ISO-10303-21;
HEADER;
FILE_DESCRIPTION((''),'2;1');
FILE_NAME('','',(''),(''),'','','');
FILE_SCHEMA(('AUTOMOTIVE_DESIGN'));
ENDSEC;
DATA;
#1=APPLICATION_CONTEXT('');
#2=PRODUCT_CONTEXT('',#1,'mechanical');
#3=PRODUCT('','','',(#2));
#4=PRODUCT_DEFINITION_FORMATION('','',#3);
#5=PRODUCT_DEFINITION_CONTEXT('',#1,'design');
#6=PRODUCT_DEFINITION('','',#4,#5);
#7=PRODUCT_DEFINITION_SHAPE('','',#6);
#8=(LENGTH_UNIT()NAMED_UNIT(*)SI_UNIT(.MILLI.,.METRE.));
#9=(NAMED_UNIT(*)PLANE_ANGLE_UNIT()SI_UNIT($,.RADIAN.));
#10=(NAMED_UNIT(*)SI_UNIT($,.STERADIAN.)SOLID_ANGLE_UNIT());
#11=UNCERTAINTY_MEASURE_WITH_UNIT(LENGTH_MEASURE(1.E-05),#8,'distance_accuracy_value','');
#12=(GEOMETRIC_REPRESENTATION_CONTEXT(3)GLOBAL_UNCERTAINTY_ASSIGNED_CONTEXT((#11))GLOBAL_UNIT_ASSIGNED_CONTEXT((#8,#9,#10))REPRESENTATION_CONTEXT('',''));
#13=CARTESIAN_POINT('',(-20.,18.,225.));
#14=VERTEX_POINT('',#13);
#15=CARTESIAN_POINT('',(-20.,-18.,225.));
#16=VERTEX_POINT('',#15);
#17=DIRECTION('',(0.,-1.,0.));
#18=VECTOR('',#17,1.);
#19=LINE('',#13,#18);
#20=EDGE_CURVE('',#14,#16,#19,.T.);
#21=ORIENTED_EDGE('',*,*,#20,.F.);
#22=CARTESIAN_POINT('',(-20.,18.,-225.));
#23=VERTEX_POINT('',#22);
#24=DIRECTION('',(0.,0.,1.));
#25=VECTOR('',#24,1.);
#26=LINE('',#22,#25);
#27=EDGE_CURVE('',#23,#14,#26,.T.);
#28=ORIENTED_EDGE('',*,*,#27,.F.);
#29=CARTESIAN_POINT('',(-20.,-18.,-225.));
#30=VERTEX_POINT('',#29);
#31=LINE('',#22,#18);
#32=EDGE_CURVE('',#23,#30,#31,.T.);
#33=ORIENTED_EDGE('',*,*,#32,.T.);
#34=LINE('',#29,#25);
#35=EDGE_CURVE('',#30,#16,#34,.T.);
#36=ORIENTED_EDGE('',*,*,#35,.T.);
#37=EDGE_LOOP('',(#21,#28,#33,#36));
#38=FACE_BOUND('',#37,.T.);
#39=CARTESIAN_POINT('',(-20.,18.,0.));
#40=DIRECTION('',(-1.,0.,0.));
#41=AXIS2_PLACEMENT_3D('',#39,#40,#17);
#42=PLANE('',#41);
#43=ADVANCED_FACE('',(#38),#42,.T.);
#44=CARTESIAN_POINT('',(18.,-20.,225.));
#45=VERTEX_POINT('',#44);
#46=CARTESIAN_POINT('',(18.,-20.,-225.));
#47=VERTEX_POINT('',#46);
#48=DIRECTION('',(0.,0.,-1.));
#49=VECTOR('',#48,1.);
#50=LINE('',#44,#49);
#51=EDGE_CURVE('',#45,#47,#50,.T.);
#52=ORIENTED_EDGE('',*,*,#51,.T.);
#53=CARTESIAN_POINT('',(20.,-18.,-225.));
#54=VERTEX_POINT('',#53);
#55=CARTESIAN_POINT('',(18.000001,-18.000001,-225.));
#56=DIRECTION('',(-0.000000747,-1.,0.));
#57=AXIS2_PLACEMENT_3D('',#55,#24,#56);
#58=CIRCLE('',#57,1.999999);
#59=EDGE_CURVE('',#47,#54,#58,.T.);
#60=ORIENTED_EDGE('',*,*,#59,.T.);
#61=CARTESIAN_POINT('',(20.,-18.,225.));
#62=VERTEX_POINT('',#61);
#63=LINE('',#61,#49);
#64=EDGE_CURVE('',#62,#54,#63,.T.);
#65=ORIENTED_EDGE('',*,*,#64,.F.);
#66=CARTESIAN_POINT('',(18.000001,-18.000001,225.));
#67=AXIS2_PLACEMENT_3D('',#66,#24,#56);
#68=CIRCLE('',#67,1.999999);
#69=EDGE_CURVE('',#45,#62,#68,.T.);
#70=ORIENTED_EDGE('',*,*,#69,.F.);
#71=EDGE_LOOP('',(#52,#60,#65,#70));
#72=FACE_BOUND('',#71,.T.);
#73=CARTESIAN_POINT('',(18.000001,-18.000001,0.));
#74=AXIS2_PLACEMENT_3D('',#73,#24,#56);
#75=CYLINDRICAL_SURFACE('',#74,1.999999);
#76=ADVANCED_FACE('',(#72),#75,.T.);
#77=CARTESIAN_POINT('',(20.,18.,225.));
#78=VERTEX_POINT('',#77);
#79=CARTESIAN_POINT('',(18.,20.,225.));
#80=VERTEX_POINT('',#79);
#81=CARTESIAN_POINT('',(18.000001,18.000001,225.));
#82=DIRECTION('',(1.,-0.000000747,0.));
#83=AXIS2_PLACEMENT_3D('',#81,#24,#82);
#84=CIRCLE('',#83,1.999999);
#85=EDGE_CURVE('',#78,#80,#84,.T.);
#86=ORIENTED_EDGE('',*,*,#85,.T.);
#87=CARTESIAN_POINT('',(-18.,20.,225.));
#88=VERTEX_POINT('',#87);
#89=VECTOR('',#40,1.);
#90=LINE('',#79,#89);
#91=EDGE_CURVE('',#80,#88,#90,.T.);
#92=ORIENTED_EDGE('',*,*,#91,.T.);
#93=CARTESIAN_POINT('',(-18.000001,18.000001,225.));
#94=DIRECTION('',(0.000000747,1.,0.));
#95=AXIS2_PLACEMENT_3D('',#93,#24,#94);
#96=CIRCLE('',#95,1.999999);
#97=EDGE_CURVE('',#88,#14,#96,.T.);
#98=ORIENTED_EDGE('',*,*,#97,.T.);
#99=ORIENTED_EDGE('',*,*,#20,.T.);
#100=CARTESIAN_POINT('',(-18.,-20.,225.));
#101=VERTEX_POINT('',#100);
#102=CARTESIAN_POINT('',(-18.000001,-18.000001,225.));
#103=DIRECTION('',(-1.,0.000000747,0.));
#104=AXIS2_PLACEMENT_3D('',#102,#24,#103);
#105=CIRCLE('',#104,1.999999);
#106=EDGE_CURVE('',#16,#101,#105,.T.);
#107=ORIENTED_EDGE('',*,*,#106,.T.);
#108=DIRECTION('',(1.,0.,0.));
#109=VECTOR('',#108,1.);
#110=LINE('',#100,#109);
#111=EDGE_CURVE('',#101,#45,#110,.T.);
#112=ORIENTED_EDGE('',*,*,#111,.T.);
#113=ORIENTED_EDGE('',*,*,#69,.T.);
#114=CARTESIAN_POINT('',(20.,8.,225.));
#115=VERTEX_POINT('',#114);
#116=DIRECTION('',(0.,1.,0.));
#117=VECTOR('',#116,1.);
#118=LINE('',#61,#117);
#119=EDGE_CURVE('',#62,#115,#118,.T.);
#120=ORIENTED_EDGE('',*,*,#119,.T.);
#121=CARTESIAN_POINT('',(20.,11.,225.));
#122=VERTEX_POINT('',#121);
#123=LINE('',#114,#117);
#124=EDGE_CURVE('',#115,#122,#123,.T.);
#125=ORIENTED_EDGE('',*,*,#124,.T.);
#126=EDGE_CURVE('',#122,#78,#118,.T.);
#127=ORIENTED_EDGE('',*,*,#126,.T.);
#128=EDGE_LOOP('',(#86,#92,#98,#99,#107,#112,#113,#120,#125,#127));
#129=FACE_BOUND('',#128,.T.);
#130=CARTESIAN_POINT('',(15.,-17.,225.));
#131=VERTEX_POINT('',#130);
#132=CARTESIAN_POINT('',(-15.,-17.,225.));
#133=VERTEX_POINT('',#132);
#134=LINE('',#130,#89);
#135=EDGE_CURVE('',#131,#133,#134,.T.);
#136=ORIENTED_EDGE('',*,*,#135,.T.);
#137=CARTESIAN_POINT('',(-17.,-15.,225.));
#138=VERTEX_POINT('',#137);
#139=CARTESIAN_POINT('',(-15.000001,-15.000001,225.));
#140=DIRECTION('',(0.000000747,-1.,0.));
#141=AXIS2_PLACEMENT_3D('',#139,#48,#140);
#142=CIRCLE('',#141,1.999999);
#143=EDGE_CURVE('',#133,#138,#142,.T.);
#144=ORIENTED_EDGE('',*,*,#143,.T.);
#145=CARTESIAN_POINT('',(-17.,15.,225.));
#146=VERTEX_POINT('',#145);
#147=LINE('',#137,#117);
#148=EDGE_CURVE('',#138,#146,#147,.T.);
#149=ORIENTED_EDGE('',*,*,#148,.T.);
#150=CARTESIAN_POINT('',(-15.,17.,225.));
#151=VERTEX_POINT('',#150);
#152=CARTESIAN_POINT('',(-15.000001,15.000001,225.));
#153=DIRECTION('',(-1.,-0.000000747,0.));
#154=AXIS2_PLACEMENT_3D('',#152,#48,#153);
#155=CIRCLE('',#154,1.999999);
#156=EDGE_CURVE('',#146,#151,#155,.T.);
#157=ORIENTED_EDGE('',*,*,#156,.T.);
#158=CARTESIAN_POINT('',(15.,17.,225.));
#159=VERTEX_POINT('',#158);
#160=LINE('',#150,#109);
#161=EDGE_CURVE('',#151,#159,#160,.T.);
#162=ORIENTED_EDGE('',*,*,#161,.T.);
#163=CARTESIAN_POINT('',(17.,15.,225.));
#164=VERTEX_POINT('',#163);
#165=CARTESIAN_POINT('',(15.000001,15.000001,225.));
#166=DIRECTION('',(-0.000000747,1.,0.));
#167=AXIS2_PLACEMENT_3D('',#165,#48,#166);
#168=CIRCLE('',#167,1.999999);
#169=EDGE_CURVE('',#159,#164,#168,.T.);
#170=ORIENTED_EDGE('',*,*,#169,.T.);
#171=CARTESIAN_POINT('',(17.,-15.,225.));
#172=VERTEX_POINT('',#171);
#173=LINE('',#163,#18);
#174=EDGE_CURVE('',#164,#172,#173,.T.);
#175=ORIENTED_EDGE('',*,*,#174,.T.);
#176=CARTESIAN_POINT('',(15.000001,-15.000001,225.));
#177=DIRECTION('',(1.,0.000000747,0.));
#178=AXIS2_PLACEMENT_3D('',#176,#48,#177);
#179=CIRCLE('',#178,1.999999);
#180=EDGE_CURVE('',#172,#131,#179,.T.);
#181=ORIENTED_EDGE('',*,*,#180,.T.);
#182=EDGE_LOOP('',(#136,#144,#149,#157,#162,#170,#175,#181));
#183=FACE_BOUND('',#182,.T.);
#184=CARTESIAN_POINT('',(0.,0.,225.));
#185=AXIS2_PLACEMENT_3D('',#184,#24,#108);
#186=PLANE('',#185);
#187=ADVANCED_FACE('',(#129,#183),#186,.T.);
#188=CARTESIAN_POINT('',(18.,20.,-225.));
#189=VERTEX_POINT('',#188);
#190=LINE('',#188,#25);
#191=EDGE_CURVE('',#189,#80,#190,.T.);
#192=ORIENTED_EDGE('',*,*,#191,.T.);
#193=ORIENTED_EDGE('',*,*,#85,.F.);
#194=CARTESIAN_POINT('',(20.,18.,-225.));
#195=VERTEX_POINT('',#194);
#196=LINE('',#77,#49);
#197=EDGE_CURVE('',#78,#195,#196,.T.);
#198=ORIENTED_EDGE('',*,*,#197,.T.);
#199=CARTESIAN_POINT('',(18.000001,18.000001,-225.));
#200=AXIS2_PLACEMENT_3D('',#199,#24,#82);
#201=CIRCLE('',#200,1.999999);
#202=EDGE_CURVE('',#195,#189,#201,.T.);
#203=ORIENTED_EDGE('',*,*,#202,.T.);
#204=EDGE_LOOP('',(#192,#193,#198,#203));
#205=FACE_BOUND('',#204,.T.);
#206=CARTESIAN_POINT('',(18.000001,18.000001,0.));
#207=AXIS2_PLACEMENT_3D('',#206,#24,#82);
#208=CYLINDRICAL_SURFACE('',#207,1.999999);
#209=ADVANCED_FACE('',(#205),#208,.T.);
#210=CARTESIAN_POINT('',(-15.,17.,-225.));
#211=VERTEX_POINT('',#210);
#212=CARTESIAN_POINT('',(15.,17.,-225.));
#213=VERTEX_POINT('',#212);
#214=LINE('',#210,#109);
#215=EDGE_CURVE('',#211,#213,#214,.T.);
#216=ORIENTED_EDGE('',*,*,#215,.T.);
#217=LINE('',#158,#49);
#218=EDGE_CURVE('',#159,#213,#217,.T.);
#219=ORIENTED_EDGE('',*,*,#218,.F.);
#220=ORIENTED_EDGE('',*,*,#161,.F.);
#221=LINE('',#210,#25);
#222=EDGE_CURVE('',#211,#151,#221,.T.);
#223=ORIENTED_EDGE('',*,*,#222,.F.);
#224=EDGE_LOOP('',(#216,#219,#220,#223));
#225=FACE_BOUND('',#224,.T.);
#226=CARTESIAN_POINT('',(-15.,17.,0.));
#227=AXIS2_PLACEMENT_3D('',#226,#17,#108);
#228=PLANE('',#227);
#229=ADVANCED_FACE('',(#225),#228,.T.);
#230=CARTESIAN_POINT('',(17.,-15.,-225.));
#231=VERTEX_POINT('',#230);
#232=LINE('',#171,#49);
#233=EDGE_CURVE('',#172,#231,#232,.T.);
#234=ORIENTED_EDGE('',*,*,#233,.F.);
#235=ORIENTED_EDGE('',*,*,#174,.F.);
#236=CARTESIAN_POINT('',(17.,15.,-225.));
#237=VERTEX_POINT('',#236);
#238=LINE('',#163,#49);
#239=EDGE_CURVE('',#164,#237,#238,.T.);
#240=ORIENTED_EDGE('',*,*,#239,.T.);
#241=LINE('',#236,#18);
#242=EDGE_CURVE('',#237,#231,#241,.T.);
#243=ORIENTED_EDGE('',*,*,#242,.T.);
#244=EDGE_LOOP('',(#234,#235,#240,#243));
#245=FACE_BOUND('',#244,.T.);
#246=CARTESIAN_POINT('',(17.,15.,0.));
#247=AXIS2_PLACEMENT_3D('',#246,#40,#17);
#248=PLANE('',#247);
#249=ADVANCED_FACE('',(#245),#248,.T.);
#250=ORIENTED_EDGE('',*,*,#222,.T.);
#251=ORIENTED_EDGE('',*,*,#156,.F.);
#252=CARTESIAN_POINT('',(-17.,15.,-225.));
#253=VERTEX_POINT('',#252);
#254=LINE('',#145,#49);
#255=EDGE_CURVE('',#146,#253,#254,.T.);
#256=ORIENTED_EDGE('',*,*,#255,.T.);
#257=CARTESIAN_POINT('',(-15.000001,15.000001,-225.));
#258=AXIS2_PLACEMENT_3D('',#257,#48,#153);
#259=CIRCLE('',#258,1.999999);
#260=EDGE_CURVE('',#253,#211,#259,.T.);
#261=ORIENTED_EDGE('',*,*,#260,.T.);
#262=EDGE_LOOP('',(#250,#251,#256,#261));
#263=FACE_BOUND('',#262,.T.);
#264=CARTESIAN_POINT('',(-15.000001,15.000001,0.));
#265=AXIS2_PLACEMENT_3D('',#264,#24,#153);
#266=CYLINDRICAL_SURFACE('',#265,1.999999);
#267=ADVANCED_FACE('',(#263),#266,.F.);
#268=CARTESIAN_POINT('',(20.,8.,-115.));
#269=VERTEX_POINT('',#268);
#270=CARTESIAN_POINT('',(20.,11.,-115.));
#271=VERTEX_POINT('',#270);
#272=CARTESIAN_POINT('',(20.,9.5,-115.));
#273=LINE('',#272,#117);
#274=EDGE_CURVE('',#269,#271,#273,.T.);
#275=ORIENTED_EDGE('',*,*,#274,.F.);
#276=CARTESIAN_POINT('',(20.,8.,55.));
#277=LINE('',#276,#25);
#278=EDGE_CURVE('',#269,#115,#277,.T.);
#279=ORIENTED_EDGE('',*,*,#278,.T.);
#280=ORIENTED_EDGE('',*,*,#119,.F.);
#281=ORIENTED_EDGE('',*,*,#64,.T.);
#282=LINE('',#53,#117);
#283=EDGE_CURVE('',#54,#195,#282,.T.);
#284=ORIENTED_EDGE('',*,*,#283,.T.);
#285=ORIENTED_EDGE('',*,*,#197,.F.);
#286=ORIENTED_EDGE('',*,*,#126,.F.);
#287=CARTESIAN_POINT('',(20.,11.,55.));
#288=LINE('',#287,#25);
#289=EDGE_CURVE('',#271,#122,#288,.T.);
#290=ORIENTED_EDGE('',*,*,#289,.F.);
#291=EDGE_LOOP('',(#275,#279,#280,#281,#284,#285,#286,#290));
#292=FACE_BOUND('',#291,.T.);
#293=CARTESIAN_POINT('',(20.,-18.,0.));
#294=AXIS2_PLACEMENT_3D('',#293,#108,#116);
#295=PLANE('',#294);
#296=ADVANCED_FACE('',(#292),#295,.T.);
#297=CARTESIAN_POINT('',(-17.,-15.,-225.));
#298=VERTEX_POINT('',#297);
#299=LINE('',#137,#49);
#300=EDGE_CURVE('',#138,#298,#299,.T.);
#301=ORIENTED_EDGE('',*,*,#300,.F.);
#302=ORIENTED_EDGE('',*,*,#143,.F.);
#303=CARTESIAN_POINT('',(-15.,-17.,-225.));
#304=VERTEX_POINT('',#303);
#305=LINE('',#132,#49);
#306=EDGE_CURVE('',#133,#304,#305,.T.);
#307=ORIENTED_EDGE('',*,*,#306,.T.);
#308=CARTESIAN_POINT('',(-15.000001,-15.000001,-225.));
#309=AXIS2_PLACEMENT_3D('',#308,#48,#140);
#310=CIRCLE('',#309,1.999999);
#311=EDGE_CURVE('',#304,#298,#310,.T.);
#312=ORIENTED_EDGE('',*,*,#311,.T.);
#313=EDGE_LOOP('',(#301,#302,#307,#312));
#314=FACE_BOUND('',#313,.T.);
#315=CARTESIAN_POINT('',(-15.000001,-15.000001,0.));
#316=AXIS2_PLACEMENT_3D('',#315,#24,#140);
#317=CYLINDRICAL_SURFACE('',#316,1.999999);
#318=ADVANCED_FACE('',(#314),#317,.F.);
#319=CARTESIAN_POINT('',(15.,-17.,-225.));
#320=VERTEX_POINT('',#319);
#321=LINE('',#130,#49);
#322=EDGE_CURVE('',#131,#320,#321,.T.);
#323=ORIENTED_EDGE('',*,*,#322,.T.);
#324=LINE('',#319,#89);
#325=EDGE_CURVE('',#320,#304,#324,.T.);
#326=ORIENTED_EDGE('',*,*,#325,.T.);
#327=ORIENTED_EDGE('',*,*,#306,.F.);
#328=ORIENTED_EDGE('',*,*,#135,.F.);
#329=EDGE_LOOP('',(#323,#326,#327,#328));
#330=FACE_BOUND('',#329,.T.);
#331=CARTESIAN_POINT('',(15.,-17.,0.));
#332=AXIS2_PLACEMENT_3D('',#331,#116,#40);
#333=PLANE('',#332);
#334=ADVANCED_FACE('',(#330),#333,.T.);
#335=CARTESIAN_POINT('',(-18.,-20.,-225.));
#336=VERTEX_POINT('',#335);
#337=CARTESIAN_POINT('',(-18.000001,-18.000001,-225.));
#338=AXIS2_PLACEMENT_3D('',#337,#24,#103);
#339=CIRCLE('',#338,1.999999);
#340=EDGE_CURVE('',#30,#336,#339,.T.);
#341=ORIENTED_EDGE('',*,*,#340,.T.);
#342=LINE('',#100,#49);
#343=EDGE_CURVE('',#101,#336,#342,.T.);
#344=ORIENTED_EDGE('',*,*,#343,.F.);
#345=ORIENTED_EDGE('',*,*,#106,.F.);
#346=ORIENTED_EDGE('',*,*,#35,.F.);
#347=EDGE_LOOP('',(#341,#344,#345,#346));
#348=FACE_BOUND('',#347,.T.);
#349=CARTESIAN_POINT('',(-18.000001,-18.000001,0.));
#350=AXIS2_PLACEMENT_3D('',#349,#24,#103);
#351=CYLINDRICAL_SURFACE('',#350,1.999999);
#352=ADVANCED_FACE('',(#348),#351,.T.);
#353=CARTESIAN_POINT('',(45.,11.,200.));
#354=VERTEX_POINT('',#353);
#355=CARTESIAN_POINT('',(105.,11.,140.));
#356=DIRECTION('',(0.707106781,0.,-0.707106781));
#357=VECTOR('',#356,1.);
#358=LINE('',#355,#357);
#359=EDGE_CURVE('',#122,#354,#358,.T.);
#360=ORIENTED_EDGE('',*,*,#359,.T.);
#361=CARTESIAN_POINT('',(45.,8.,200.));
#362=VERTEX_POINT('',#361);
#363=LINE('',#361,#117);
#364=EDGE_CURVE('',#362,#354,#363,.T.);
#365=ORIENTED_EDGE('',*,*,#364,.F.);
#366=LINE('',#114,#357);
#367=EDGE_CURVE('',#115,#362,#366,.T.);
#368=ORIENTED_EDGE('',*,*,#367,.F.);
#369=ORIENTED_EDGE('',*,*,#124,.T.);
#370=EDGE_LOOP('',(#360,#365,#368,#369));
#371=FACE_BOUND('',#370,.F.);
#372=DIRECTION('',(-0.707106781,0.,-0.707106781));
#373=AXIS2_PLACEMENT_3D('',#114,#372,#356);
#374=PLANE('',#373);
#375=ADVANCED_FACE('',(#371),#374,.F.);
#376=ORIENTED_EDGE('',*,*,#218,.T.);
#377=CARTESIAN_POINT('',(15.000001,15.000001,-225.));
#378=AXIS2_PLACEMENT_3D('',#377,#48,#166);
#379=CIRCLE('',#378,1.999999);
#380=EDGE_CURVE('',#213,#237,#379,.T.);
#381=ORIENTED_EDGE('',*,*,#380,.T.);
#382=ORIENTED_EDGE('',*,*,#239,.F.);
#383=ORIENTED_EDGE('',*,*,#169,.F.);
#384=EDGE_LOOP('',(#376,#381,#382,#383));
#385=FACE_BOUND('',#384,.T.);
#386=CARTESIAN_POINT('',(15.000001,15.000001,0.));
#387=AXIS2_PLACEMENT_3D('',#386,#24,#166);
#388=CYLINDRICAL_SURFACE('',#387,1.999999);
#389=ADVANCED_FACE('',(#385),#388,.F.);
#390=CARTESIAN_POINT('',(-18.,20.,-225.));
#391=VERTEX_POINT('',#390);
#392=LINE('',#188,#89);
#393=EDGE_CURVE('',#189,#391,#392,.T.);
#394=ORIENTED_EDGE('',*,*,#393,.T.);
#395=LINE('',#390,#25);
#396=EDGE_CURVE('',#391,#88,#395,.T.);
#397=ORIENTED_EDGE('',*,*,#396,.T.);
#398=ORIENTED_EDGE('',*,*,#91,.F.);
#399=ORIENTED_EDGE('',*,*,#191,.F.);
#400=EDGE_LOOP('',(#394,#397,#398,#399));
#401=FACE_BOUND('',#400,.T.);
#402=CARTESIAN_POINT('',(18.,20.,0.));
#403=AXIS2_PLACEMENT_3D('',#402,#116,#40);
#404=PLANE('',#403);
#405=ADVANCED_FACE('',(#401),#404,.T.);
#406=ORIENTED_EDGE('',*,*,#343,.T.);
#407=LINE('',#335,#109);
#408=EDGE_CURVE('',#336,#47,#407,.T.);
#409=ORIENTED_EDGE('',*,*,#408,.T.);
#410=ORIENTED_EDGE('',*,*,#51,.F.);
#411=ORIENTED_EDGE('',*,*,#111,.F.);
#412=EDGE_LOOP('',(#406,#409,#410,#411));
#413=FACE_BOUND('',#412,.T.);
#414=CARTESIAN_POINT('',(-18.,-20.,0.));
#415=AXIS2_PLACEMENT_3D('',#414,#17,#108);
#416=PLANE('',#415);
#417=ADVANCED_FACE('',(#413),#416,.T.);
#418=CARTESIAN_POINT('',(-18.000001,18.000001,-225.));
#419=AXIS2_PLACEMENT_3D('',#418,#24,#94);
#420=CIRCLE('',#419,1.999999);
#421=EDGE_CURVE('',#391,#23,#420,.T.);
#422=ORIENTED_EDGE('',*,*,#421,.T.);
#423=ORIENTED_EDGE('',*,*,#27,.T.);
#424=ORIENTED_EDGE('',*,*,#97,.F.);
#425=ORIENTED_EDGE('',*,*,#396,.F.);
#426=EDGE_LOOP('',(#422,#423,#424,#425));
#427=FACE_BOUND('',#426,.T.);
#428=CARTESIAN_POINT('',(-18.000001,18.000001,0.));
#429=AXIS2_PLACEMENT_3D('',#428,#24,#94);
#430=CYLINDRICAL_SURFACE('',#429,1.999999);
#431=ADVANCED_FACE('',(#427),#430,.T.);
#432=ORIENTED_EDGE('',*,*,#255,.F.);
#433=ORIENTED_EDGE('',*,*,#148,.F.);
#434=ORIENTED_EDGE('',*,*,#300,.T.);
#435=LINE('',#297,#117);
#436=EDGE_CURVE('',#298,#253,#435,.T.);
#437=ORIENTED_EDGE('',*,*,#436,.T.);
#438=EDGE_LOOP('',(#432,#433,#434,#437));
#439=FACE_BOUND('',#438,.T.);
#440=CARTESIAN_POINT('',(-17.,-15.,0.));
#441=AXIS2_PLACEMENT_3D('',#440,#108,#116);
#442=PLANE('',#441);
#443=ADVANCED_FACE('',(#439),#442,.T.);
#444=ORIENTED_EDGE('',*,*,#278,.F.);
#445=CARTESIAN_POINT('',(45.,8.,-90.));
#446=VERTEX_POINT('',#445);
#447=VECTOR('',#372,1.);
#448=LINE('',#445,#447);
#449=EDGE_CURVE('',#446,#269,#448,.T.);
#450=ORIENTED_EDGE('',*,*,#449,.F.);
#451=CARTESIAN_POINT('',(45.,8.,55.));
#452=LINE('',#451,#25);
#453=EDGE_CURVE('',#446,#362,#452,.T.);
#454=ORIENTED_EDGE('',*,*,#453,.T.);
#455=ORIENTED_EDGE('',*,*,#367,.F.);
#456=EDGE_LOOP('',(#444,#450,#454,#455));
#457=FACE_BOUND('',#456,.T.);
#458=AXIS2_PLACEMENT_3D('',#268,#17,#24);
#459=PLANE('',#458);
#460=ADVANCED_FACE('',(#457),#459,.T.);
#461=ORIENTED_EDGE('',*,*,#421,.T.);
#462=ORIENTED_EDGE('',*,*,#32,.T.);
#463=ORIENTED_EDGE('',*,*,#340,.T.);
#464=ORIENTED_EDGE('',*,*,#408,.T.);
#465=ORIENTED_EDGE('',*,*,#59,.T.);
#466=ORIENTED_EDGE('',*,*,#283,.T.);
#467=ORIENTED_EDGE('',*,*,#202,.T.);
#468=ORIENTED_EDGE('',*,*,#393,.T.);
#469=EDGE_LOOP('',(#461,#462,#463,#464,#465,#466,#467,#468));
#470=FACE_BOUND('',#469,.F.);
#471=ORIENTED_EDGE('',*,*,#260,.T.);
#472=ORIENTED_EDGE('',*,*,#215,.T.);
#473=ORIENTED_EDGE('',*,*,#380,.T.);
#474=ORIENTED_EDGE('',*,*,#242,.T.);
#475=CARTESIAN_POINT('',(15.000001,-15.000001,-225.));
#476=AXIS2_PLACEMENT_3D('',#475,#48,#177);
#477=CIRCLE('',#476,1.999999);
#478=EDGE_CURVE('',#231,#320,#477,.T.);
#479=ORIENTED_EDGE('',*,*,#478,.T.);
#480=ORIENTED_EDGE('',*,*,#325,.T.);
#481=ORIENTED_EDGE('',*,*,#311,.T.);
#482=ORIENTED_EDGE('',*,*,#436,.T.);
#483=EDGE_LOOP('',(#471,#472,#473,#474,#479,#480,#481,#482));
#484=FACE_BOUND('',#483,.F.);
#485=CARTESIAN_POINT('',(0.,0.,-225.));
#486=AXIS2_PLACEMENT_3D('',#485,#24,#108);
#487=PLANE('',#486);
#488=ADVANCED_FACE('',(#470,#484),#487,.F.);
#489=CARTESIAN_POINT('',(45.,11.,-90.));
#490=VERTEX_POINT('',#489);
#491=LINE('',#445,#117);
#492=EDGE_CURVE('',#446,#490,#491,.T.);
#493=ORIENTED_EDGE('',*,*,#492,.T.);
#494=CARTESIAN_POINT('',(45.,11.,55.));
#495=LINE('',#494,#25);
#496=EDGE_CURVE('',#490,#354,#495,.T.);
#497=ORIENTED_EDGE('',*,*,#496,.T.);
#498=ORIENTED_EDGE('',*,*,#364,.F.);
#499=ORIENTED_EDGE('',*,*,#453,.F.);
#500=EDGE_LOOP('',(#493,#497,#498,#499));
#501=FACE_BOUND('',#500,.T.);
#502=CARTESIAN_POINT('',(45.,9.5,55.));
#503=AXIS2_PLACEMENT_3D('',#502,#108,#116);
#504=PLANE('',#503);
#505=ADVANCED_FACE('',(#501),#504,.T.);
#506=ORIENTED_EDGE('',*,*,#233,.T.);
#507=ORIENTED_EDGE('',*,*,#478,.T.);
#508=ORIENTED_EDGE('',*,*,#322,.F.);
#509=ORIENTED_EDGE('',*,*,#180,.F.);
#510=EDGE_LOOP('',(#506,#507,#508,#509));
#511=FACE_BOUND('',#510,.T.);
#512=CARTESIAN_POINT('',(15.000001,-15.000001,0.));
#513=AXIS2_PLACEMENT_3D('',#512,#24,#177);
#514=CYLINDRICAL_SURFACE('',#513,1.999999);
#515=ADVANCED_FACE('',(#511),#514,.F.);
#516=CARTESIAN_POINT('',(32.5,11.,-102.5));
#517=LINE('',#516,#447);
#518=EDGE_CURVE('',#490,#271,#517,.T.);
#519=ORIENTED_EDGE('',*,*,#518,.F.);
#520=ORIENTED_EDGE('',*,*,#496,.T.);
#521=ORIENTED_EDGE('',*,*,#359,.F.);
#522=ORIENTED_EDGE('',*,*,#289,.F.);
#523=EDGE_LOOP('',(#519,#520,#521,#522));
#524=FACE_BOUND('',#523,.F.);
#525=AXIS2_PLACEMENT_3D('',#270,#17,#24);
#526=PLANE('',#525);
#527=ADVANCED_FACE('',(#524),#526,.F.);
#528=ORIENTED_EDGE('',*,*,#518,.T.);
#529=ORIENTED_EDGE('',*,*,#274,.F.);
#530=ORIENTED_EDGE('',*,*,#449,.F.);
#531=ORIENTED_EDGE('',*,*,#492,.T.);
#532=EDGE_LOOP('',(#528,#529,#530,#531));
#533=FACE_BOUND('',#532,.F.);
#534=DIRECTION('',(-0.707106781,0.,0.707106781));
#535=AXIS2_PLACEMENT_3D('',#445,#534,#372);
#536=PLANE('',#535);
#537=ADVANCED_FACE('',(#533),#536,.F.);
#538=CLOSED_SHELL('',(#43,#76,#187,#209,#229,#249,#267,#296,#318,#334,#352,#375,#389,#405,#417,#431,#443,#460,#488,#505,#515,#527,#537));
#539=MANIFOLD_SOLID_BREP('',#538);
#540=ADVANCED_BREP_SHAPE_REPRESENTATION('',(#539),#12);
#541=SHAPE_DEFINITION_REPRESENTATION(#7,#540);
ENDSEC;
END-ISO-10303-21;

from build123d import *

# Parameters (mm, degrees)
F1_DEPTH = 225
F2_W     = 3
F2_H     = 340
F3_DEPTH = 25
F5_DEPTH = 12.001


with BuildPart() as f1:
    # F0 (on Top) → F1 (new body, symmetric)
    with BuildSketch(Plane.XY):
        with BuildLine():
            ThreePointArc((20, 18), (19.414214, 19.414214), (18, 20))
            Line((18, 20), (-18, 20))
            ThreePointArc((-18, 20), (-19.414214, 19.414214), (-20, 18))
            Line((-20, 18), (-20, -18))
            ThreePointArc((-20, -18), (-19.414214, -19.414214), (-18, -20))
            Line((-18, -20), (18, -20))
            ThreePointArc((18, -20), (19.414214, -19.414214), (20, -18))
            Line((20, -18), (20, 18))
        make_face()
        with BuildLine():
            Line((-15, 17), (15, 17))
            ThreePointArc((15, 17), (16.414214, 16.414214), (17, 15))
            Line((17, 15), (17, -15))
            ThreePointArc((17, -15), (16.414214, -16.414214), (15, -17))
            Line((15, -17), (-15, -17))
            ThreePointArc((-15, -17), (-16.414214, -16.414214), (-17, -15))
            Line((-17, -15), (-17, 15))
            ThreePointArc((-17, 15), (-16.414214, 16.414214), (-15, 17))
        make_face(mode=Mode.SUBTRACT)
    extrude(amount=F1_DEPTH, both=True)

    # F2 (on face) → F3 (join)
    with BuildSketch(Plane.YZ.offset(20)):
        with Locations((9.5, 55)):
            Rectangle(F2_W, F2_H)
    extrude(amount=F3_DEPTH)

    # F4 (on face) → F5 (cut, through all)
    with BuildSketch(Plane.XZ.offset(-8)):
        Polygon((45, 225), (20, 225), (45, 200), align=None)
        Polygon((45, -115), (45, -90), (20, -115), align=None)
    extrude(amount=-F5_DEPTH, mode=Mode.SUBTRACT)


solid = f1.part
